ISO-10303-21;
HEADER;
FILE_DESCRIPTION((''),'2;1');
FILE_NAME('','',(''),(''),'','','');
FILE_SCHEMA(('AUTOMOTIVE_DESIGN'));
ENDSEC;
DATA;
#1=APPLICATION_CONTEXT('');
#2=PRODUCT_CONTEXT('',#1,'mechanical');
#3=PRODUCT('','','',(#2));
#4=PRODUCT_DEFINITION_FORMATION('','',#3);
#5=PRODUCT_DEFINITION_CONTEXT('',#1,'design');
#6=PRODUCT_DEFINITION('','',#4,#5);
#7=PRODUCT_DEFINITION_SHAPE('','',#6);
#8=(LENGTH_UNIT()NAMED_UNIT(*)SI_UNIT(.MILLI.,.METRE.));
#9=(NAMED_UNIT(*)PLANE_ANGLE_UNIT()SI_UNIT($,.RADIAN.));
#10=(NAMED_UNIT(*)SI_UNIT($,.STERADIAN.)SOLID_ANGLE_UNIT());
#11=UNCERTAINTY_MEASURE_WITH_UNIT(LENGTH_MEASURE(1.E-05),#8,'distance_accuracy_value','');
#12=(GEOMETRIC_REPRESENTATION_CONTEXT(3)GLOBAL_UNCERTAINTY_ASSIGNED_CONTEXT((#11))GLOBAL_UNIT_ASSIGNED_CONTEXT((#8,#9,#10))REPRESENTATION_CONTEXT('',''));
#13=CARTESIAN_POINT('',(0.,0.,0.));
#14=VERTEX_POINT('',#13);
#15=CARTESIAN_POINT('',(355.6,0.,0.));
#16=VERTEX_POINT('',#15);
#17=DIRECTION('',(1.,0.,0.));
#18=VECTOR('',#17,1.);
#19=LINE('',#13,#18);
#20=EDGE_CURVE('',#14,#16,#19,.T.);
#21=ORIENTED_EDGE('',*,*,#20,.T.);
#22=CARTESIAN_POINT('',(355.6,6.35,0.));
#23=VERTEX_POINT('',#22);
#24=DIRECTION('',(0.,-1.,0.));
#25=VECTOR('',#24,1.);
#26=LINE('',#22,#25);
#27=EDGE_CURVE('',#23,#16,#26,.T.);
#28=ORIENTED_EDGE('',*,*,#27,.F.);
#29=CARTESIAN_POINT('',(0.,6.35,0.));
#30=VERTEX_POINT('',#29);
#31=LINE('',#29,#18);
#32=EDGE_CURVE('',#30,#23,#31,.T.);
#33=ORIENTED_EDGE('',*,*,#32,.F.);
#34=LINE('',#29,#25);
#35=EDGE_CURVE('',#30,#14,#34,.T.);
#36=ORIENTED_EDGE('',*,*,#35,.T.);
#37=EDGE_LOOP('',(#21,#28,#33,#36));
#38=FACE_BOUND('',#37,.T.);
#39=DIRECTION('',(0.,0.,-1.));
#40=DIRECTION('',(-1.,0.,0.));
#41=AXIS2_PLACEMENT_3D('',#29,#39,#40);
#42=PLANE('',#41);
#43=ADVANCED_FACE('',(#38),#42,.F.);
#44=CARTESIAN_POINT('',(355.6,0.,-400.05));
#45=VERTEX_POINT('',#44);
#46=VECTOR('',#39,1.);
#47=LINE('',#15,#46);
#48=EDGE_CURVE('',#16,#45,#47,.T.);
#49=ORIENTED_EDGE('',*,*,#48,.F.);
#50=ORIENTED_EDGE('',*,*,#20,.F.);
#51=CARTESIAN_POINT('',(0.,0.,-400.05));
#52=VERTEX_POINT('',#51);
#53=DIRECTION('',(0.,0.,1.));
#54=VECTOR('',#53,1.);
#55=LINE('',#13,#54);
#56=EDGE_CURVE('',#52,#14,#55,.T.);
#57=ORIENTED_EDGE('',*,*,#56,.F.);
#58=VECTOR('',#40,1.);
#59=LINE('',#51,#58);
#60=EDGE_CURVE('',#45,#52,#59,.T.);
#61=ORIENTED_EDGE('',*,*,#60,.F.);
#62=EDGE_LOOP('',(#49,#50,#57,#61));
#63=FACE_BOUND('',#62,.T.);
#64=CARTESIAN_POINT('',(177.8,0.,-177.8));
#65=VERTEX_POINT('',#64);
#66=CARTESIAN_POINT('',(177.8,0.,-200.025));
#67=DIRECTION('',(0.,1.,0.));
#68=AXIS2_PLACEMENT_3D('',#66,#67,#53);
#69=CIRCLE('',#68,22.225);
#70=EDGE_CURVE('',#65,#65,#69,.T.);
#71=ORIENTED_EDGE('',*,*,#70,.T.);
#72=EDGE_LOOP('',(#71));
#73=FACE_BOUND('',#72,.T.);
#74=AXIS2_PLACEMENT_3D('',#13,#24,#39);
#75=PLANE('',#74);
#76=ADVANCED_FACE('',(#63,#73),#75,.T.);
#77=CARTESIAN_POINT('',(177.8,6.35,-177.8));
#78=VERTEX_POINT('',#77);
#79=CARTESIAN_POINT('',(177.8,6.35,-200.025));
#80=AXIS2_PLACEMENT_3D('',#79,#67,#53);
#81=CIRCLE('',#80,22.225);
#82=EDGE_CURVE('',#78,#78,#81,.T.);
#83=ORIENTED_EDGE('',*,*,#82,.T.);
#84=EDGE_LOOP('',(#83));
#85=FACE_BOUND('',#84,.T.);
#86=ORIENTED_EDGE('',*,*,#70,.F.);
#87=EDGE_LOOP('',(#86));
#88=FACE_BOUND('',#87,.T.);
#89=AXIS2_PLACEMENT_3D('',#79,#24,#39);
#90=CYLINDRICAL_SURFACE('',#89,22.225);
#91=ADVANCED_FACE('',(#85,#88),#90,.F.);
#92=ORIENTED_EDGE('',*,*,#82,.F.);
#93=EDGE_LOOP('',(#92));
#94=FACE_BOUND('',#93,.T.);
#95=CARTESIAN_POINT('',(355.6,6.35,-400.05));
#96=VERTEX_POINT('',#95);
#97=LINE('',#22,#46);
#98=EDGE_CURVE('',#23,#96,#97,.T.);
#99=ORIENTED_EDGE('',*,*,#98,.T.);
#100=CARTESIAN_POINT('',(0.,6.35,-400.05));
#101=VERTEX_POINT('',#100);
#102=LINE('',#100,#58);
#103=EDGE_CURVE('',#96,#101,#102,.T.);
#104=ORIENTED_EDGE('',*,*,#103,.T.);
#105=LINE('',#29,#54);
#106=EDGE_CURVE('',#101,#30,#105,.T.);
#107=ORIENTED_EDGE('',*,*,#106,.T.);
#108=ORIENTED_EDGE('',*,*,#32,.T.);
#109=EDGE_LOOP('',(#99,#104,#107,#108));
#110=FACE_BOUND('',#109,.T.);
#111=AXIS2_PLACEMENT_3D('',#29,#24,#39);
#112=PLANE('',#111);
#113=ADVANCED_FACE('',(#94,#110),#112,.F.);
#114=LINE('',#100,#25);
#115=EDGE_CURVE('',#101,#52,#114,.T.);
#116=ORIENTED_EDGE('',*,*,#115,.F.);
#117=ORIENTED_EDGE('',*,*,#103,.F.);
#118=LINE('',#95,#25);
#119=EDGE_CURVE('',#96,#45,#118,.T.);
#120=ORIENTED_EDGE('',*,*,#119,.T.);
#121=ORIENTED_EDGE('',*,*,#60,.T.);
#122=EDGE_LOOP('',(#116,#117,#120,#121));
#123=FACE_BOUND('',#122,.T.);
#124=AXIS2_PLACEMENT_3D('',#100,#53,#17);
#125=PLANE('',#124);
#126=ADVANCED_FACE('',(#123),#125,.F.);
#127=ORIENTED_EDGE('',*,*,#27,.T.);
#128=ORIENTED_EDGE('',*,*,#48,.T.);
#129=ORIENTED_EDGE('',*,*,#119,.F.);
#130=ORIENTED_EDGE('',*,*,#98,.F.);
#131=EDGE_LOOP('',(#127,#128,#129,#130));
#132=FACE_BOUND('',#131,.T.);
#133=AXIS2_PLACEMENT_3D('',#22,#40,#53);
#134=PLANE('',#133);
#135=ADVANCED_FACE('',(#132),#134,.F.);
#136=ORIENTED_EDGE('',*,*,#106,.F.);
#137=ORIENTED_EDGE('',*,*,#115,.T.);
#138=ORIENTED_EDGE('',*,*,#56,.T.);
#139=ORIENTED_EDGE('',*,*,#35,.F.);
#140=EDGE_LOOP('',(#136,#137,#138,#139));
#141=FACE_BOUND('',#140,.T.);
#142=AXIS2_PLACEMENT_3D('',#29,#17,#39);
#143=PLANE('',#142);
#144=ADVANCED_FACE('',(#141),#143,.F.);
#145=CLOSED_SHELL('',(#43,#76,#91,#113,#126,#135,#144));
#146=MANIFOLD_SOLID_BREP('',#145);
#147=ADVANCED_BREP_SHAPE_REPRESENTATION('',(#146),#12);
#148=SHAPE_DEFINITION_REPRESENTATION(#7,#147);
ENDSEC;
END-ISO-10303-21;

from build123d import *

# Parameters (mm, degrees)
SKETCH1_W           = 355.6
SKETCH1_H           = 400.05
SKETCH1_R           = 22.225
BOSS_EXTRUDE1_DEPTH = 6.35


with BuildPart() as part:
    # Sketch1 → Boss-Extrude1 (new body)
    with BuildSketch(Plane(origin=(0, 0, 0), x_dir=(1, 0, 0), z_dir=(0, 1, 0))):
        with Locations((177.8, 200.025)):
            Rectangle(SKETCH1_W, SKETCH1_H)
        with Locations(Location((177.8, 200.025, 0), (0, 0, 270))):
            Circle(SKETCH1_R, mode=Mode.SUBTRACT)
    extrude(amount=BOSS_EXTRUDE1_DEPTH)


solid = part.part
